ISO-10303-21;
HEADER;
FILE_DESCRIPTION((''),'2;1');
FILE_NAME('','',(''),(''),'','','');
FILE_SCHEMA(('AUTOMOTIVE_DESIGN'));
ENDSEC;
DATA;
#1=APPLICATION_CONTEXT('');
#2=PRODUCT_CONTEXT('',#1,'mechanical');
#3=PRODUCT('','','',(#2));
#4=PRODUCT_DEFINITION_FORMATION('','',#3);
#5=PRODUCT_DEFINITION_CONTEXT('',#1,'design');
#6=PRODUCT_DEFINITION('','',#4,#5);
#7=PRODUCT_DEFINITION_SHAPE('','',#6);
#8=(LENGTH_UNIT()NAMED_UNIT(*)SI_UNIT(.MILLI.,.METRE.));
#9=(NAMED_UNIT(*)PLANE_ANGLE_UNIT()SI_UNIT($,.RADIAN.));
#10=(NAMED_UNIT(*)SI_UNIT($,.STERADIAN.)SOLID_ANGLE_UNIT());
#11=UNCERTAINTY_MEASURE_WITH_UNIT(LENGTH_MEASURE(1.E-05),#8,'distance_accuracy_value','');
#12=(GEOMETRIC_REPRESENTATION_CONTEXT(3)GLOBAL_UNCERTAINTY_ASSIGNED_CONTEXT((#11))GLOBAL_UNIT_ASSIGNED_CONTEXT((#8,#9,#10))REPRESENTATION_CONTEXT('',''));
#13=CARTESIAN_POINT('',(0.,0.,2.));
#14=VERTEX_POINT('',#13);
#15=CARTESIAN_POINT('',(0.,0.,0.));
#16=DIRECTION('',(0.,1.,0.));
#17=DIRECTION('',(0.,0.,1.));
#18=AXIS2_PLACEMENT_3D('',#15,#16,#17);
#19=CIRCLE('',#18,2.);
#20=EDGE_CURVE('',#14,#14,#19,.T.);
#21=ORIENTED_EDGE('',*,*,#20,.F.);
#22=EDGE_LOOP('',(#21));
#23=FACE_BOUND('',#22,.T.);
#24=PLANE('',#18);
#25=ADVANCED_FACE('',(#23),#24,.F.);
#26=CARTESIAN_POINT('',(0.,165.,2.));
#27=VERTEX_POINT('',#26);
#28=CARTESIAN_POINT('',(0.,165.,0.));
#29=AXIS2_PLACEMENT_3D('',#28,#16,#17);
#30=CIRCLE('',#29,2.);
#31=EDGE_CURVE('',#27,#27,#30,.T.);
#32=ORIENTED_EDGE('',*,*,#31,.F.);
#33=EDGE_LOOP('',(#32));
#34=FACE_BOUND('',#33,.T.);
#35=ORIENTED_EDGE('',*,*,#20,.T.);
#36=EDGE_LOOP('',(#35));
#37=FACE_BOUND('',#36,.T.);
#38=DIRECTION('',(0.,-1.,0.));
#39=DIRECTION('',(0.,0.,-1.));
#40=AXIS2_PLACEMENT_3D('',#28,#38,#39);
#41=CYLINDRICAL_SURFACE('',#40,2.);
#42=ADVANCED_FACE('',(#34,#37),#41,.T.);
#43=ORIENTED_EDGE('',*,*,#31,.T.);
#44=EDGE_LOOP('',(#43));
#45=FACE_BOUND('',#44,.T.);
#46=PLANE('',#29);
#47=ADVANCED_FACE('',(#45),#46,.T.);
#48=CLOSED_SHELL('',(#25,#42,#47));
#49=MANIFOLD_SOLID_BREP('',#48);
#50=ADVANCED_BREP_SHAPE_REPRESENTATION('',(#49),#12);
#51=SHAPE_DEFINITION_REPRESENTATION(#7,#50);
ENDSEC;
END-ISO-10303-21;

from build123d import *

# Parameters (mm, degrees)
SKETCH_1_R      = 2
EXTRUDE_1_DEPTH = 165


with BuildPart() as part:
    # 草图1 → 凸台-拉伸1 (new body)
    with BuildSketch(Plane(origin=(0, 0, 0), x_dir=(1, 0, 0), z_dir=(0, 1, 0))):
        with Locations(Location((0, 0, 0), (0, 0, 270))):
            Circle(SKETCH_1_R)
    extrude(amount=EXTRUDE_1_DEPTH)


solid = part.part
